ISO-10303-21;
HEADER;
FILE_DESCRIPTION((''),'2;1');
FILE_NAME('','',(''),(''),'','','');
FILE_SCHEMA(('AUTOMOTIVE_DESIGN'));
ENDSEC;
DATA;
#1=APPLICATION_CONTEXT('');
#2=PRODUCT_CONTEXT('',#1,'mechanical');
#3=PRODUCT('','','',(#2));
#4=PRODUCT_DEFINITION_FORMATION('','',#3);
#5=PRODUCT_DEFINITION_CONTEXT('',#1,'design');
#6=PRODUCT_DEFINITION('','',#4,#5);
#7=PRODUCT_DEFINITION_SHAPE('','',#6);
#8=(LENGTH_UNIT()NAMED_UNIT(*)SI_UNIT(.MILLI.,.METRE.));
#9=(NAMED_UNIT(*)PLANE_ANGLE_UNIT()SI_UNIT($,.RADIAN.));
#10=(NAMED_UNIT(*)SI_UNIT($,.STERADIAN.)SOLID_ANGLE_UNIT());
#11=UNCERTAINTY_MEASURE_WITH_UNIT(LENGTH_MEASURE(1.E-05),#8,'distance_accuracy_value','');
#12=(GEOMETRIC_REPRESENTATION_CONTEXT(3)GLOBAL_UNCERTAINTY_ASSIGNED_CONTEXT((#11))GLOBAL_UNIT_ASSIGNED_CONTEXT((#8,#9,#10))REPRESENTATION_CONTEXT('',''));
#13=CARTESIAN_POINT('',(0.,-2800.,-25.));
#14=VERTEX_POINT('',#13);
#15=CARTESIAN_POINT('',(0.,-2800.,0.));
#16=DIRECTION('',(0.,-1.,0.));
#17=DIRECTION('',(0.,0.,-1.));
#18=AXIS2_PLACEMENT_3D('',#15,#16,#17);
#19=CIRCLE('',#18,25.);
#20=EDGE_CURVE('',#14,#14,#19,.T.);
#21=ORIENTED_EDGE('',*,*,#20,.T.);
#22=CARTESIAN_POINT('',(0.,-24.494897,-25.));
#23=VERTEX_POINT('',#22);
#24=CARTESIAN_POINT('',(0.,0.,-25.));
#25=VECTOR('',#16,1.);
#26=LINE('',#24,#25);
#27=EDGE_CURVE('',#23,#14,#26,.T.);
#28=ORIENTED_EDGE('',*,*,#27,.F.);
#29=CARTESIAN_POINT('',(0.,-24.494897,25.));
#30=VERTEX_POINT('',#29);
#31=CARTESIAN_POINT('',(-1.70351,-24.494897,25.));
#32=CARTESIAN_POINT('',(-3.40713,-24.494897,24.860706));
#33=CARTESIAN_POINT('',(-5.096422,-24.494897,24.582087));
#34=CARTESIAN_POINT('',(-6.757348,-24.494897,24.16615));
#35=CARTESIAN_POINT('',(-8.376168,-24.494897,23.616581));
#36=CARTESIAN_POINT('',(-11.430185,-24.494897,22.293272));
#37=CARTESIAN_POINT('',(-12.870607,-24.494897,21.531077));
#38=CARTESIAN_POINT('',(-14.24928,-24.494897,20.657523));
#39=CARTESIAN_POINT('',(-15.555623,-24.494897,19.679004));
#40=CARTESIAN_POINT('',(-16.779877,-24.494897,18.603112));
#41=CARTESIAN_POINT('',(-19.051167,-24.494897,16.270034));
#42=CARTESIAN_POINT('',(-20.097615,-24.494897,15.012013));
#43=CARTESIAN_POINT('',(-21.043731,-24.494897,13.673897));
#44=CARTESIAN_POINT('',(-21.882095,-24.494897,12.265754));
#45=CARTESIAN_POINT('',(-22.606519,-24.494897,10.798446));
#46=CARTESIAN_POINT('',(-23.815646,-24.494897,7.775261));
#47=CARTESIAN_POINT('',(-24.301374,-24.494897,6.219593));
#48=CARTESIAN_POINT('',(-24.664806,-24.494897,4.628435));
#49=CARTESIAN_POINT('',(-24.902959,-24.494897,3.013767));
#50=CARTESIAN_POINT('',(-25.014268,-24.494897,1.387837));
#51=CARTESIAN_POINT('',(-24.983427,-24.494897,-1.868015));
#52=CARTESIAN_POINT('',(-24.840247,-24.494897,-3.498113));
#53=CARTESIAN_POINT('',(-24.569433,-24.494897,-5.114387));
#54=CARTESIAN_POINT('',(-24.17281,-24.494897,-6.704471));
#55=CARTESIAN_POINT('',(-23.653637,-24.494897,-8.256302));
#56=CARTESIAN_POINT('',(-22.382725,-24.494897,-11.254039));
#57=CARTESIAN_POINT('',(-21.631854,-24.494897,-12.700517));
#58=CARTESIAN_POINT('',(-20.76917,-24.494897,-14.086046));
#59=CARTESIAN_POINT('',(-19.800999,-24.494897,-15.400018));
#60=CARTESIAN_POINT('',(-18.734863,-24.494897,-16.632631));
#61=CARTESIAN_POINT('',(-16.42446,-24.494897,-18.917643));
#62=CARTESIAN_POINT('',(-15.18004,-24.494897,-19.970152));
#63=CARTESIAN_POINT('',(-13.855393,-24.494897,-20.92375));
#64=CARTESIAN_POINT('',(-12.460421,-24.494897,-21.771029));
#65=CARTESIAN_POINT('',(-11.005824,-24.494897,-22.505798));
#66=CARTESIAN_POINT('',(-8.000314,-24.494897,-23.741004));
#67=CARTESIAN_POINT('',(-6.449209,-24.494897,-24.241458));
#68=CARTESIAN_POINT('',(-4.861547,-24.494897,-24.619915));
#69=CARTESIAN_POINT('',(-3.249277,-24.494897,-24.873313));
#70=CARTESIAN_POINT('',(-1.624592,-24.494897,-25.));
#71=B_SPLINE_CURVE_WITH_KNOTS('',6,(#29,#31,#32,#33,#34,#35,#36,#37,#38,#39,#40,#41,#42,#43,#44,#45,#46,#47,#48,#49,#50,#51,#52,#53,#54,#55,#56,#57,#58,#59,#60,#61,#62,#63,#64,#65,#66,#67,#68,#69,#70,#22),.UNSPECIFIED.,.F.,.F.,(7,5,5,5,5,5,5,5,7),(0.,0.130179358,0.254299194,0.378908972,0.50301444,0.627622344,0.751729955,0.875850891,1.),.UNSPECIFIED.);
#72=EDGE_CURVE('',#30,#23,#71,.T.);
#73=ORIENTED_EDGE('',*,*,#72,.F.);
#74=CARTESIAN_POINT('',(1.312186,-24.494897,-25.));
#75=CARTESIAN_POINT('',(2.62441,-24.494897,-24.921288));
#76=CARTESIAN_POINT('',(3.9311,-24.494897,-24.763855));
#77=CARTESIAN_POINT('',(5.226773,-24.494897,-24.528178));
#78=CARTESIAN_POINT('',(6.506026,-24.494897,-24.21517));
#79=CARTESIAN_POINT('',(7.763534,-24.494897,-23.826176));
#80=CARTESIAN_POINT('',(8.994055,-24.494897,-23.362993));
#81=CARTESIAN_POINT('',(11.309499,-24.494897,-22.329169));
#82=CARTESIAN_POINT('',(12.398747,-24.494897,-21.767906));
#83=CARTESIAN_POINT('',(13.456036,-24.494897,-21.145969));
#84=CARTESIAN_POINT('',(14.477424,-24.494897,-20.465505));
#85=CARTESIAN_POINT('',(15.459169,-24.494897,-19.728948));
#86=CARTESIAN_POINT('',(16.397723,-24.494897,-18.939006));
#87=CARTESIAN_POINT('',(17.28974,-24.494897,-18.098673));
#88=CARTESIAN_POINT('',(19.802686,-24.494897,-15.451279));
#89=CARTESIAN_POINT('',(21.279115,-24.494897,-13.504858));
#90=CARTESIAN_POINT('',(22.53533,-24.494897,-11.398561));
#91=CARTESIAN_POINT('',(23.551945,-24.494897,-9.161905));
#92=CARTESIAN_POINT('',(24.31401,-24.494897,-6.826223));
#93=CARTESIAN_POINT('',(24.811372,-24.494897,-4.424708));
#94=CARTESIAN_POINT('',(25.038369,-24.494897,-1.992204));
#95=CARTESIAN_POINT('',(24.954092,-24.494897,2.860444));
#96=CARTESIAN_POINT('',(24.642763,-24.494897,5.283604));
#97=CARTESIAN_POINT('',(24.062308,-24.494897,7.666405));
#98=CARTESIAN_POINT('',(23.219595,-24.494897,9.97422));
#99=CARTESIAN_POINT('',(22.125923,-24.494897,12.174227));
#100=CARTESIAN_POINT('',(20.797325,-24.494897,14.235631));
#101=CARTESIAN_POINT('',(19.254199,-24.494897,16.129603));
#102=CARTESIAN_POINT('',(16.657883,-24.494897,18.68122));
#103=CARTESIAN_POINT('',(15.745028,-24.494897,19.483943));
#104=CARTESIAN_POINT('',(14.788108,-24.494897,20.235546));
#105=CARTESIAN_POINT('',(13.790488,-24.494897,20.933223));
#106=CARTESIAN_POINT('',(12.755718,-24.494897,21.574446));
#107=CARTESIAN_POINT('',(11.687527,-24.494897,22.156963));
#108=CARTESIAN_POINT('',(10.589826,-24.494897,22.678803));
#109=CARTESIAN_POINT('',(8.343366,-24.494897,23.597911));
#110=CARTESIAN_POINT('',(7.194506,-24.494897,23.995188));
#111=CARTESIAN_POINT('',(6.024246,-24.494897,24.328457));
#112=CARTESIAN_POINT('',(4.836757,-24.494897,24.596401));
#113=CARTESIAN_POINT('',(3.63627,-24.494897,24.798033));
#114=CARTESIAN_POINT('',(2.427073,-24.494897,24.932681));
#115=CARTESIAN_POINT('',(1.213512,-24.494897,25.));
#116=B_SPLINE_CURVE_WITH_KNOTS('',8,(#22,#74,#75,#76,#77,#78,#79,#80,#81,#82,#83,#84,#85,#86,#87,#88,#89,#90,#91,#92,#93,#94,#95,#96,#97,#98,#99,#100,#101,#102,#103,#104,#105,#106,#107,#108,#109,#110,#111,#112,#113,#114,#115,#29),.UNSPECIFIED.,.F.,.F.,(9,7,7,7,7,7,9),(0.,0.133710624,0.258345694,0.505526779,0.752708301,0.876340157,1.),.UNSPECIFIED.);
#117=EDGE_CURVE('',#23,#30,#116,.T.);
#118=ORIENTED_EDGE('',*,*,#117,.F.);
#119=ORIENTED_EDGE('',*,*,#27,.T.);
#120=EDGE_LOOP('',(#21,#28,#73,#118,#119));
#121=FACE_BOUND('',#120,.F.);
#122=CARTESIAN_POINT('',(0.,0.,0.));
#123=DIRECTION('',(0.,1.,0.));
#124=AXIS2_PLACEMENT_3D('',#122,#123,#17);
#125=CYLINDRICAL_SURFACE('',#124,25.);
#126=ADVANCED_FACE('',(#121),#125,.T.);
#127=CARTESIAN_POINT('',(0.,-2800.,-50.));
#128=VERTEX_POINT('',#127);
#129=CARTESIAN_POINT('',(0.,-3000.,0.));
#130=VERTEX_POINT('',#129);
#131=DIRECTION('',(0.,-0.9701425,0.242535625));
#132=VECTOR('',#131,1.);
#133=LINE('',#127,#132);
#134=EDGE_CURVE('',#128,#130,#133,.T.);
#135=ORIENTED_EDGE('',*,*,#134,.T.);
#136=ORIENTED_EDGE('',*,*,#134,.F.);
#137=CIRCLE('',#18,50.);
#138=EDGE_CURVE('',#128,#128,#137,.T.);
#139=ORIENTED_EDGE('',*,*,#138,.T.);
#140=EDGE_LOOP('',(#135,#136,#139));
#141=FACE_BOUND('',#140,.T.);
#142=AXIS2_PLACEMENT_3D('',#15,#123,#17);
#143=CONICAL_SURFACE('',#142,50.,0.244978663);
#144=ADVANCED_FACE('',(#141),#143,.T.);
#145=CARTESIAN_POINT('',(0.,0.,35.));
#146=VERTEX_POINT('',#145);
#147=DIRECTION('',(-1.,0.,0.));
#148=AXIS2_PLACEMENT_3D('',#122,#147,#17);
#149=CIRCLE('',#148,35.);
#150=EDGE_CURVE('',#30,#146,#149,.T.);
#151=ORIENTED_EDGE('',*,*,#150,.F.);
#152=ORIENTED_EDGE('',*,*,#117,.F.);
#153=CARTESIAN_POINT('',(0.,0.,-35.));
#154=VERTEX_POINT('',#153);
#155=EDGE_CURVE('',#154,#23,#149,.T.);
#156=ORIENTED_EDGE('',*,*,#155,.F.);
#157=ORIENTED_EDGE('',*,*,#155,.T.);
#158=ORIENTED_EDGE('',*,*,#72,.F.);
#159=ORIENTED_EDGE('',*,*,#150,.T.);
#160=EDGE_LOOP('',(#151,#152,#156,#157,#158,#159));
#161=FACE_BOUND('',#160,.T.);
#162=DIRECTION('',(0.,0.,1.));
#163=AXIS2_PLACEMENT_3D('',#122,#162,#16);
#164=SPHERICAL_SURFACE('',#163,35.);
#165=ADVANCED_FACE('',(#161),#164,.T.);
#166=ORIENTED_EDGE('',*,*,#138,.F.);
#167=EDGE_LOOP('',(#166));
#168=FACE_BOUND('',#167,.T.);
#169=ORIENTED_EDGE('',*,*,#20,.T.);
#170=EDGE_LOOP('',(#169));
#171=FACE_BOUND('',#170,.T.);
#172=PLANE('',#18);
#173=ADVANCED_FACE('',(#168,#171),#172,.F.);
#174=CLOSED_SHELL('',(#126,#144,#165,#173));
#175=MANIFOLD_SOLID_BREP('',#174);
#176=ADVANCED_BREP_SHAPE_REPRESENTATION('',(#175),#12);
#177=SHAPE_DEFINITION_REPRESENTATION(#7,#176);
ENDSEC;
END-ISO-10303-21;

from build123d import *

# Parameters (mm, degrees)
CYLINDER002_R             = 25
CYLINDER002_DEPTH         = 2800
FUSION002_PLACEMENT_ANGLE = 90


with BuildPart() as sphere002:
    # Sphere002 → Sphere002 (revolve)
    with BuildSketch(Plane.XZ):
        with BuildLine():
            ThreePointArc((0, -35), (35, 0), (0, 35))
            Line((0, 35), (0, -35))
        make_face()
    revolve(axis=Axis((0, 0, 0), (0, 0, 1)))


with BuildPart() as cone002:
    # Cone002 → Cone002 (revolve)
    with BuildSketch(Plane(origin=(2800, 0, 0), x_dir=(0, 0, -1), z_dir=(0, -1, 0))):
        Polygon((0, 0), (50, 0), (0, 200), align=None)
    revolve(axis=Axis((2800, 0, 0), (1, 0, 0)))


with BuildPart() as long:
    # Cylinder002 → Cylinder002 (new body)
    with BuildSketch(Plane(origin=(0, 0, 0), x_dir=(0, 0, -1), z_dir=(1, 0, 0))):
        Circle(CYLINDER002_R)
    extrude(amount=CYLINDER002_DEPTH)

    # Fusion002: union Sphere002, Cone002
    add(sphere002.part)
    add(cone002.part)


with BuildPart() as long_1:
    # Fusion002 placement: moved
    add(long.part.rotate(Axis((0, 0, 0), (0, 0, -1)), FUSION002_PLACEMENT_ANGLE))


solid = long_1.part
